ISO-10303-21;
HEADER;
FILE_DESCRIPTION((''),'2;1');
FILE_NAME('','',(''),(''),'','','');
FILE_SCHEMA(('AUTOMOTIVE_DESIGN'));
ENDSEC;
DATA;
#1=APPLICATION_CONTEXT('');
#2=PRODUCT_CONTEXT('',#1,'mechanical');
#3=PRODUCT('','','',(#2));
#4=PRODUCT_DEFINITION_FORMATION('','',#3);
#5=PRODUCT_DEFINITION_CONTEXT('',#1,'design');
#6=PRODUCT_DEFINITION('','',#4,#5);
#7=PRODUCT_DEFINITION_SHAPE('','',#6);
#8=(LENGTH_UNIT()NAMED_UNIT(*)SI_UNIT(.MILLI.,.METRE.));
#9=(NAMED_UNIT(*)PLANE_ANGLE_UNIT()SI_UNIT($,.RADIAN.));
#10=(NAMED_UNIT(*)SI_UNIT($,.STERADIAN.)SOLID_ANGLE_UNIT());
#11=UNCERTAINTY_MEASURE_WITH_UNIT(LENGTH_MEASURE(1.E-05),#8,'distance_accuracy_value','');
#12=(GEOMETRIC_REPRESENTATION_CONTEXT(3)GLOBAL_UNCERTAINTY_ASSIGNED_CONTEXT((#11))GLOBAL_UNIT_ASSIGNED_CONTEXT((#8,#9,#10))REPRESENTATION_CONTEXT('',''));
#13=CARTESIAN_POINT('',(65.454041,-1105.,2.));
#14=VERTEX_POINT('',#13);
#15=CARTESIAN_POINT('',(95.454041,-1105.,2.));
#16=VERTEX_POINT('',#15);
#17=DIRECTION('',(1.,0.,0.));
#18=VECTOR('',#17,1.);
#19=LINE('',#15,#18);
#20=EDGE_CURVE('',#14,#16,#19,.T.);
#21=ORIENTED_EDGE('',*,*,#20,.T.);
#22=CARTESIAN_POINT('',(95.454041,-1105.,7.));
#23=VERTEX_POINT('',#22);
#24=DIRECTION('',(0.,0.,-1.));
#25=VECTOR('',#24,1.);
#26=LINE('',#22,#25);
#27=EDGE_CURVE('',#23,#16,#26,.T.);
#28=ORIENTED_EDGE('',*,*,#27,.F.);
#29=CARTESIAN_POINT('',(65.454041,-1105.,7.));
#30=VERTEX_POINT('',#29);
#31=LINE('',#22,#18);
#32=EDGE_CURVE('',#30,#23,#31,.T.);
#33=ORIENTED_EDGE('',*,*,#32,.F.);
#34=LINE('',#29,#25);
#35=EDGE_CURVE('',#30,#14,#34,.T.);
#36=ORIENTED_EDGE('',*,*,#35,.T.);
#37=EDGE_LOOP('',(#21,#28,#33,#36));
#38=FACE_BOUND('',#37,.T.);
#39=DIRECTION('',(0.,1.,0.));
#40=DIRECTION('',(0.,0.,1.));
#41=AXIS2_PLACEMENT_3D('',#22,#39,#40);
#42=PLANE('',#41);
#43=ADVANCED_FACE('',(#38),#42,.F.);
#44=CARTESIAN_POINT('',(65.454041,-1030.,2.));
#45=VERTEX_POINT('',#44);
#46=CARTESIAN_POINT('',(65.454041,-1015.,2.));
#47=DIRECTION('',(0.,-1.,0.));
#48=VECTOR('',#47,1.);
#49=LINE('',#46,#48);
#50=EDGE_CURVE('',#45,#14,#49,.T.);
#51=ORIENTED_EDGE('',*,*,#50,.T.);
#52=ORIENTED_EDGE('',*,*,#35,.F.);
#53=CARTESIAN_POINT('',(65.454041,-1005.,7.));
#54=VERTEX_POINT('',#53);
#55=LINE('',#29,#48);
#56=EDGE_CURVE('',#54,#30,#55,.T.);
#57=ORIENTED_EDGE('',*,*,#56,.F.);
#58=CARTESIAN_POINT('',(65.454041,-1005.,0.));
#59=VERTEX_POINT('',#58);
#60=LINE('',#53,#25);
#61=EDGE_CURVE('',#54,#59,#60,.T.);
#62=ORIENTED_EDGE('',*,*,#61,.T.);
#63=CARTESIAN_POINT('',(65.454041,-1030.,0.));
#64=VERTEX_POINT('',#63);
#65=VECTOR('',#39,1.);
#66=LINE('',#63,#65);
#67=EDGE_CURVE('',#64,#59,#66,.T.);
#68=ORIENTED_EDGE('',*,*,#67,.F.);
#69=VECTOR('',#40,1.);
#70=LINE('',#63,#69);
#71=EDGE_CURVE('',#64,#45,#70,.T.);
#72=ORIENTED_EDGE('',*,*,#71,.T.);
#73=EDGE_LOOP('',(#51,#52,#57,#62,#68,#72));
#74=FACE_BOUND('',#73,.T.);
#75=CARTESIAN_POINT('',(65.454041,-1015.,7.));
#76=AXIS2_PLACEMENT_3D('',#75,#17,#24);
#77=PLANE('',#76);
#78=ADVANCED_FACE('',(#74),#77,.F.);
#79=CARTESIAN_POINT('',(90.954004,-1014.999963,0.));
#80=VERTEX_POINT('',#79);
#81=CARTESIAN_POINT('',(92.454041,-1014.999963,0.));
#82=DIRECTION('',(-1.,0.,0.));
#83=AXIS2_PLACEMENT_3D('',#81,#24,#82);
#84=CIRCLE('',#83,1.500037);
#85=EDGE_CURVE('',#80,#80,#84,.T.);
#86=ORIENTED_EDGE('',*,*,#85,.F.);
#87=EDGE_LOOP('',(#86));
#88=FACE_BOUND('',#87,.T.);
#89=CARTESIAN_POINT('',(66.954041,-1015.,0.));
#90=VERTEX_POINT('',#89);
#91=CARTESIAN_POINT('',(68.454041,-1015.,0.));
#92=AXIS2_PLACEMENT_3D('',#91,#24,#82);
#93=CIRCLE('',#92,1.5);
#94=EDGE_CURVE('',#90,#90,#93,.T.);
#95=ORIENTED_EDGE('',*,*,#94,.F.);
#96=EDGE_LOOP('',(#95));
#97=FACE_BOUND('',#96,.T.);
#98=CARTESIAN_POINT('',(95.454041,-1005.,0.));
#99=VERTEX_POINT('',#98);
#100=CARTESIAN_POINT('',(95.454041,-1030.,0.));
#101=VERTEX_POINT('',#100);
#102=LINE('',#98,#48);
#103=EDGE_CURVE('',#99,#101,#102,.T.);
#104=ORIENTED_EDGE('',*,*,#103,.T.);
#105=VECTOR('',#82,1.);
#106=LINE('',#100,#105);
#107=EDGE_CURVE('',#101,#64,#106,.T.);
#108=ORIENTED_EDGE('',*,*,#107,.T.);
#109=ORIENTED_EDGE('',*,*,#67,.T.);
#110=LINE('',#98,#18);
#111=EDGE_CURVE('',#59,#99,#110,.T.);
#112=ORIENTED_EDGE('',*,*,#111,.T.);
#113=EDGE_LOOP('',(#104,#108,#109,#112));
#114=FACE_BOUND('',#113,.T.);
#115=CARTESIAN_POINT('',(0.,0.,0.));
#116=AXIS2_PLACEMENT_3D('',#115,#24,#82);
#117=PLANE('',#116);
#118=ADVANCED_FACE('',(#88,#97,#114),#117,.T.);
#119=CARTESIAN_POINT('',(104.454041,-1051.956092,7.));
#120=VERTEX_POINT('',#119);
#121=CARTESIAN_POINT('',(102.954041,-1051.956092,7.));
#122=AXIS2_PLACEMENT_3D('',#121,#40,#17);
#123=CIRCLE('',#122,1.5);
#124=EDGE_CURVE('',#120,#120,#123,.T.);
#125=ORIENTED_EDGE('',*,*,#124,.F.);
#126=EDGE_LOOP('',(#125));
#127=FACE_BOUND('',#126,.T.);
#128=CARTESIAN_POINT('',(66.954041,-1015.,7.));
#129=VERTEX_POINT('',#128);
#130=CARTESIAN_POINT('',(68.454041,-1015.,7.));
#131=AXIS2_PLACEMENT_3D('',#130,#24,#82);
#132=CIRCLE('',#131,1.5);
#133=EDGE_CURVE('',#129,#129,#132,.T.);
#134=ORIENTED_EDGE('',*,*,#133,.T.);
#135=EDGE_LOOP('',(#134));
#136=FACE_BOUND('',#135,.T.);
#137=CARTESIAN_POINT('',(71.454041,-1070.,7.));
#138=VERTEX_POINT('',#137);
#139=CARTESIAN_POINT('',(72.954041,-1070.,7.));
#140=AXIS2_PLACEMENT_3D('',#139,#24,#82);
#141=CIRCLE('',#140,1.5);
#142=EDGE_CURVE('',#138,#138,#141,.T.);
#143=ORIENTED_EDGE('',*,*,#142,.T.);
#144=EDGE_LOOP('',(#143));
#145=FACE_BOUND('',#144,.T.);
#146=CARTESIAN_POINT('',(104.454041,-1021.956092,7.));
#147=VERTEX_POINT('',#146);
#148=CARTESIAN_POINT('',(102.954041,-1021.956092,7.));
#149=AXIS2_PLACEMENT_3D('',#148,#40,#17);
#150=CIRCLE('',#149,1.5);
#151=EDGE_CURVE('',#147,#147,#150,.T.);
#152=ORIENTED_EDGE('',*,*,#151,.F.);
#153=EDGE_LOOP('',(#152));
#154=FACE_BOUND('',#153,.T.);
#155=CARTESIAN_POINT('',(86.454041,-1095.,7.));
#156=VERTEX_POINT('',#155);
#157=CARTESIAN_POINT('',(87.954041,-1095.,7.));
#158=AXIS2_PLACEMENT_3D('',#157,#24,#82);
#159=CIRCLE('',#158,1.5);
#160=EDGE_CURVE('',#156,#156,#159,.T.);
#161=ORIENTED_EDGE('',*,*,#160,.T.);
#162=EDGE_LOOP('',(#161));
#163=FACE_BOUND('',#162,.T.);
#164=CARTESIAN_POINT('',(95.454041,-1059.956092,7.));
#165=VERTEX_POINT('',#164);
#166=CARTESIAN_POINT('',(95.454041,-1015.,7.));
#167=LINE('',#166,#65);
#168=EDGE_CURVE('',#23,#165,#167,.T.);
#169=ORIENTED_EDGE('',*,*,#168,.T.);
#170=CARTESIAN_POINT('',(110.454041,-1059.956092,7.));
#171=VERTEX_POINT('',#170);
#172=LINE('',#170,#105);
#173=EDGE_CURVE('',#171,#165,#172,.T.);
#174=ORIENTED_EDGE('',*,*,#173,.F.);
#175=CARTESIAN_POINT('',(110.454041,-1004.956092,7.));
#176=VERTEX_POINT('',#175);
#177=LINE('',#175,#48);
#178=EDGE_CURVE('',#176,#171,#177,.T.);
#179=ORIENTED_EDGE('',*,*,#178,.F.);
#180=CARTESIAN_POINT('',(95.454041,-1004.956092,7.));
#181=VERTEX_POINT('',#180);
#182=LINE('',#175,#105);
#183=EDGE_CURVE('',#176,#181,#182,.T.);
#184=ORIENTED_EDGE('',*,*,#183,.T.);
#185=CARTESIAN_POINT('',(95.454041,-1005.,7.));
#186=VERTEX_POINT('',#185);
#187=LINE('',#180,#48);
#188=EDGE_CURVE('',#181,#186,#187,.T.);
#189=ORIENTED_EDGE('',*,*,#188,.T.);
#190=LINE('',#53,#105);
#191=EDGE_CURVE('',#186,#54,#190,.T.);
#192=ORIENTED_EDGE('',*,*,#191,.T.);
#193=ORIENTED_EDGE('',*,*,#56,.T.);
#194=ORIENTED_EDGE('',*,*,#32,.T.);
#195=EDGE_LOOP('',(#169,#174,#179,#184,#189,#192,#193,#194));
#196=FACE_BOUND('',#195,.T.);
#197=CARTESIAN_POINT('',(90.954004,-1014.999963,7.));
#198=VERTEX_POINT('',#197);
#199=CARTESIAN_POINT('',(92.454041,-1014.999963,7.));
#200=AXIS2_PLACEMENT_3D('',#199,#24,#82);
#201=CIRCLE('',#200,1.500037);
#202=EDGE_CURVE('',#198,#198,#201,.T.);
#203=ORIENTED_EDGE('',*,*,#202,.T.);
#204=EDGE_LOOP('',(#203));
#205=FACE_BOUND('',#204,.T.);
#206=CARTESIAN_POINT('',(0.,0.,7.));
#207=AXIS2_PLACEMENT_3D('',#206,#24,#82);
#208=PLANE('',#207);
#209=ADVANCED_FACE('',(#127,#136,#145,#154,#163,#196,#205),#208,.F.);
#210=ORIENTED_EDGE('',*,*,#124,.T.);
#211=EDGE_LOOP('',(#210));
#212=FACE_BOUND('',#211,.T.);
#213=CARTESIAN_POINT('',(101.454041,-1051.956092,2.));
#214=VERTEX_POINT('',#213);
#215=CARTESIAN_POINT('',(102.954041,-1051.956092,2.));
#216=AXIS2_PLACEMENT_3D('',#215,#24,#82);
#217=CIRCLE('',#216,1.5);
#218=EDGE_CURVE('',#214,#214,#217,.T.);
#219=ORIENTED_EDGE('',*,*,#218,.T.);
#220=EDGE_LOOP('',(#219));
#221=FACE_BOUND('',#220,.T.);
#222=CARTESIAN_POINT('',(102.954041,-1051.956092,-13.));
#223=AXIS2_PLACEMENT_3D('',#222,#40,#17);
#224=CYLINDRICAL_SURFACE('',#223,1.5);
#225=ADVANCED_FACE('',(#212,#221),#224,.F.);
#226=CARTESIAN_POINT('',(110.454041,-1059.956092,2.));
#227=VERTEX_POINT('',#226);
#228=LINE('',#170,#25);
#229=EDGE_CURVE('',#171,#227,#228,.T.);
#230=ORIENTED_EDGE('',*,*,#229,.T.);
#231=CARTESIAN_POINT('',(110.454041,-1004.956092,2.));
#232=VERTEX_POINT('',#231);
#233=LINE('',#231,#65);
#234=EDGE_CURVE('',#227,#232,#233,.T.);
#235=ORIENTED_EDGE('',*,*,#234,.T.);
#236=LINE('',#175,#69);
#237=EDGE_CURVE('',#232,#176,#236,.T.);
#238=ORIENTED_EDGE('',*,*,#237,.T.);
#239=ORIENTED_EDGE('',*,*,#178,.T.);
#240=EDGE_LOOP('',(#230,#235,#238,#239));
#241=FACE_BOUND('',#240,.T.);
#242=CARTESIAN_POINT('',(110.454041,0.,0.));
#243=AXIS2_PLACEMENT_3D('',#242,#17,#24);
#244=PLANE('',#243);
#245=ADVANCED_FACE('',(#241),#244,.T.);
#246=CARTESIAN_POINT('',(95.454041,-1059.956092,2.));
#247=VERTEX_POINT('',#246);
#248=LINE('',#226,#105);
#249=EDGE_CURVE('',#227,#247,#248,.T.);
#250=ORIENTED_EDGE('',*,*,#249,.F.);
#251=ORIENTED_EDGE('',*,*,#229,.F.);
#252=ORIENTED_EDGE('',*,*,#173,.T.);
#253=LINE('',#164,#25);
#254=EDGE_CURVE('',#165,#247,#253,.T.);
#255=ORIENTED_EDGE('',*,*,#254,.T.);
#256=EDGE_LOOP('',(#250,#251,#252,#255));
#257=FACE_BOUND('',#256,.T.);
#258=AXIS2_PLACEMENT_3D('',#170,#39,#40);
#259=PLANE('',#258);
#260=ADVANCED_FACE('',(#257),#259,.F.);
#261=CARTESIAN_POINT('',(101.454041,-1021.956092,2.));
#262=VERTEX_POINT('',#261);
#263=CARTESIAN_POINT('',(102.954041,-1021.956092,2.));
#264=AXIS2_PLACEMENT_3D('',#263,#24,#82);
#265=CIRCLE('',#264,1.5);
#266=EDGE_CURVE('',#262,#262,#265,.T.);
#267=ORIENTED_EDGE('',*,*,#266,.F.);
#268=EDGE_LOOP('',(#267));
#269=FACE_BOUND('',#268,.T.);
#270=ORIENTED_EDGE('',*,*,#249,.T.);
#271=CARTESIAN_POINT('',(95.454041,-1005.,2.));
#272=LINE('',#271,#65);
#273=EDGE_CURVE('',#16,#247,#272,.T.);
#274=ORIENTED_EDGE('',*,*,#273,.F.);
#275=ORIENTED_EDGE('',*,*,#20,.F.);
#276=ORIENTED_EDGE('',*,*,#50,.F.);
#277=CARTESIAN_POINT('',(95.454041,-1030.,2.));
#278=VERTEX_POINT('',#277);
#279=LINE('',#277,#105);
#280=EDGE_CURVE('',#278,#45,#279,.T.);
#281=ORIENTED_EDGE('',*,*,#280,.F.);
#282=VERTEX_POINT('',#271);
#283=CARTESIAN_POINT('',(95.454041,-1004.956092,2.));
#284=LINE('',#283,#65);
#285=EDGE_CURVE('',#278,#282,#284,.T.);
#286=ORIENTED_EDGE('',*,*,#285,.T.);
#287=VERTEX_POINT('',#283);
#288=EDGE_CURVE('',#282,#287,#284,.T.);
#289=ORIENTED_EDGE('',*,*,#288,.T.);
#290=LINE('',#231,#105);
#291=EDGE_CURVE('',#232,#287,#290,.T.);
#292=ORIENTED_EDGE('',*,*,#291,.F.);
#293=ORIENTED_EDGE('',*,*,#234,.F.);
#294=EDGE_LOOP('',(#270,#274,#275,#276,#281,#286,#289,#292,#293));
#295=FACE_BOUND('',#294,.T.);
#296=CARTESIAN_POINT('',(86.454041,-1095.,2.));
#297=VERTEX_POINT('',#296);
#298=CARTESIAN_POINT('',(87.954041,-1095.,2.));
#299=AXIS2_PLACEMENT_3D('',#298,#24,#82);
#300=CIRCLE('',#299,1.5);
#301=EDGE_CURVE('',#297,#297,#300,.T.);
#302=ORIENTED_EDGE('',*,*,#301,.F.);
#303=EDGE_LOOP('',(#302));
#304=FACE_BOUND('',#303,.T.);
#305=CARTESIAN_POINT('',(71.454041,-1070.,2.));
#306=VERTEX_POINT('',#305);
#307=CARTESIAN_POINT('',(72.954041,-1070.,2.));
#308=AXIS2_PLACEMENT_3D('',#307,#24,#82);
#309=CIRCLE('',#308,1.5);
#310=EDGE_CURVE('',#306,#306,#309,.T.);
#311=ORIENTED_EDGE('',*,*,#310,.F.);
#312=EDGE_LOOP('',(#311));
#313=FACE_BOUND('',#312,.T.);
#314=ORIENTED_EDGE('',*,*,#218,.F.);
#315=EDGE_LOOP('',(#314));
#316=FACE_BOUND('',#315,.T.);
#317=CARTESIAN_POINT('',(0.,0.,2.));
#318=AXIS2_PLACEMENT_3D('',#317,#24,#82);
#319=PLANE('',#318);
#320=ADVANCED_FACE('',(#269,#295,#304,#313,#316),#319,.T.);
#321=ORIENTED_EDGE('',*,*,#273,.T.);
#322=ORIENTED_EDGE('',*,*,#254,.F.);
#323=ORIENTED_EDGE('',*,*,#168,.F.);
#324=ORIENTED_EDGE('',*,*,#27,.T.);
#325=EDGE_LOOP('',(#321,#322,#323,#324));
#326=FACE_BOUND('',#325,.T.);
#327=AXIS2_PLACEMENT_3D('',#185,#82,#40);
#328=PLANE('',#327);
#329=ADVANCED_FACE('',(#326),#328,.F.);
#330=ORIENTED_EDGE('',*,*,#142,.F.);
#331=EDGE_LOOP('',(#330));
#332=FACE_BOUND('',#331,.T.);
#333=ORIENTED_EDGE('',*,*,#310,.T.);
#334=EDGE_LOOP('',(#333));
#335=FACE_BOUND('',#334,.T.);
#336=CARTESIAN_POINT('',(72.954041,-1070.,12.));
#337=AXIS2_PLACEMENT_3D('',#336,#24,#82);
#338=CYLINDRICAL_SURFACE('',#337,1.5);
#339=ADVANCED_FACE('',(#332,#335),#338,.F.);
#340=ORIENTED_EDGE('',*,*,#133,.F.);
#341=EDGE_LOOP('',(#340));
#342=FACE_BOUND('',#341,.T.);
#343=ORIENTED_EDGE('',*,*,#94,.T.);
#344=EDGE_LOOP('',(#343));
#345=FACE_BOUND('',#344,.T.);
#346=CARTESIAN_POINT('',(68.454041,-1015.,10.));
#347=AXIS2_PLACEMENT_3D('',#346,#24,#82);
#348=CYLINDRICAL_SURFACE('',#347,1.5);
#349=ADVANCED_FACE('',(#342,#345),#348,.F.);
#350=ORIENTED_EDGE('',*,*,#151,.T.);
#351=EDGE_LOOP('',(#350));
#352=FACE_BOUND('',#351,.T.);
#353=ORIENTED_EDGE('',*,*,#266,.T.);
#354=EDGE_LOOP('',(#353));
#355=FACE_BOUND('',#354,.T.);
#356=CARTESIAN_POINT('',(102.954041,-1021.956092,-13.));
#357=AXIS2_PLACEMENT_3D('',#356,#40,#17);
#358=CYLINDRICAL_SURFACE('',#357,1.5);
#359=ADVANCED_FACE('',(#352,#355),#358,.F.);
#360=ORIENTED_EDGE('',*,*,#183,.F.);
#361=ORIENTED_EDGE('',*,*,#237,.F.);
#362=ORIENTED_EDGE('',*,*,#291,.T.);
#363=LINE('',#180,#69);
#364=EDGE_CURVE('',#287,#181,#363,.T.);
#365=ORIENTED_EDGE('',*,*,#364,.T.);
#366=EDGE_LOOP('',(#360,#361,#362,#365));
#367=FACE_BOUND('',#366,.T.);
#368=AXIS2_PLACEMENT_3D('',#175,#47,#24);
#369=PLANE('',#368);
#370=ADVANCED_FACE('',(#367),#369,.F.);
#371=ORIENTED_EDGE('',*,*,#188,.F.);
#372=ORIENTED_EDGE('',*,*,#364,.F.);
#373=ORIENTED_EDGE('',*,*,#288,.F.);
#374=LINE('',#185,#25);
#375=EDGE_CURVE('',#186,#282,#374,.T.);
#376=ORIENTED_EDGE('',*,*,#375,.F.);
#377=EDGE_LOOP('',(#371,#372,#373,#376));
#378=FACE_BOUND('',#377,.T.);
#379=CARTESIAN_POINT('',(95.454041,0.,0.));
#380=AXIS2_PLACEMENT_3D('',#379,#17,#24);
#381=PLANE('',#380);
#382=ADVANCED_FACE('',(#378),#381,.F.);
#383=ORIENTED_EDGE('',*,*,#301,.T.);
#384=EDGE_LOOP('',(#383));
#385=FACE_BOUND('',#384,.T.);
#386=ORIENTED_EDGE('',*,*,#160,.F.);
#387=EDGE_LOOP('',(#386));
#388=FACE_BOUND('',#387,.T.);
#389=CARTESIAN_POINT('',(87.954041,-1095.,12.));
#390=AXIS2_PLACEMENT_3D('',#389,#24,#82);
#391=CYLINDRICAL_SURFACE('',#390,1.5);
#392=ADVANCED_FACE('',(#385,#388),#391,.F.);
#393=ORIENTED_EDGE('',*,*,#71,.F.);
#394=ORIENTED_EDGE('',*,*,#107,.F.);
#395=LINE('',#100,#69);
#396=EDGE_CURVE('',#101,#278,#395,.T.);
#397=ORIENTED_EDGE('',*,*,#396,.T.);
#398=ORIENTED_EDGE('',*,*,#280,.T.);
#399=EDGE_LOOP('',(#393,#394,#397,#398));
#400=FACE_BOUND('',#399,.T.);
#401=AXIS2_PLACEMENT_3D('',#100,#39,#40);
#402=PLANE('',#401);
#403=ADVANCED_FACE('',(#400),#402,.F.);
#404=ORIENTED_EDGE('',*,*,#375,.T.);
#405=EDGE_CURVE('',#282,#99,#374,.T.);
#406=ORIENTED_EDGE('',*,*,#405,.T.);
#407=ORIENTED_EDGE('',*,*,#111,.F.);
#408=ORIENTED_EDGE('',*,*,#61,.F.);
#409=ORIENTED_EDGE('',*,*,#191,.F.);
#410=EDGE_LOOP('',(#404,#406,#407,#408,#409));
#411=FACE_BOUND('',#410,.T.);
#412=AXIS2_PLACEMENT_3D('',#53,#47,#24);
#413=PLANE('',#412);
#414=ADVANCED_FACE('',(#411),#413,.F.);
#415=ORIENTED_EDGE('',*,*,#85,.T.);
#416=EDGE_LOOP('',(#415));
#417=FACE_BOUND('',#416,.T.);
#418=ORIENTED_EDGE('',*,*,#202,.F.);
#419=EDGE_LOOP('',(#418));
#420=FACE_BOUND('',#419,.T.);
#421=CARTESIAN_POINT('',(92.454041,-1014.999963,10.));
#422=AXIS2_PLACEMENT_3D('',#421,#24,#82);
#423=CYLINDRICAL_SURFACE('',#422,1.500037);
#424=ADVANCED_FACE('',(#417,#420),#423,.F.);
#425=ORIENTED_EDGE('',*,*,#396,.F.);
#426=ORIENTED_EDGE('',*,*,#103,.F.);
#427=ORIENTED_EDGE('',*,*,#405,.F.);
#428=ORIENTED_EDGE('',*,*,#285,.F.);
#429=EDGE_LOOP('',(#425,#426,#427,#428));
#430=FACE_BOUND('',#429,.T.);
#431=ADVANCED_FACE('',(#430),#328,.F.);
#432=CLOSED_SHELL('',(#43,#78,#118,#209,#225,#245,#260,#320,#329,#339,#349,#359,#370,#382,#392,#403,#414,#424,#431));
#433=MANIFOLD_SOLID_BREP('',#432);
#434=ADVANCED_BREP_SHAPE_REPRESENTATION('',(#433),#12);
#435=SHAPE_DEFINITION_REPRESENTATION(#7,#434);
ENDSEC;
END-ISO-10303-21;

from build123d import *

# Parameters (mm, degrees)
SALIENTE_EXTRUIR1_START = 2
SALIENTE_EXTRUIR1_DEPTH = 5
CROQUIS2_W              = 30
CROQUIS2_H              = 25
SALIENTE_EXTRUIR2_DEPTH = 2
CROQUIS3_R              = 1.5
CORTAR_EXTRUIR1_DEPTH   = 10
CROQUIS4_R              = 1.500036904
CROQUIS4_R_2            = 1.5
CORTAR_EXTRUIR2_DEPTH   = 10
CROQUIS6_W              = 5
CROQUIS6_H              = 55
SALIENTE_EXTRUIR3_DEPTH = 15
CROQUIS7_R              = 1.5
CORTAR_EXTRUIR3_DEPTH   = 20


with BuildPart() as part:
    # Croquis1 → Saliente-Extruir1 (new body)
    with BuildSketch(Plane.XY.offset(SALIENTE_EXTRUIR1_START)):
        Polygon((65.454041039, -1015), (65.454041039, -1005), (95.454041039, -1005), (95.454041039, -1015), (95.454041039, -1105), (65.454041039, -1105), align=None)
    extrude(amount=SALIENTE_EXTRUIR1_DEPTH)

    # Croquis2 → Saliente-Extruir2 (add)
    with BuildSketch(Plane(origin=(0, 0, 2), x_dir=(-1, 0, 0), z_dir=(0, 0, -1))):
        with Locations((-80.454041039, -1017.5)):
            Rectangle(CROQUIS2_W, CROQUIS2_H)
    extrude(amount=SALIENTE_EXTRUIR2_DEPTH)

    # Croquis3 → Cortar-Extruir1 (cut)
    with BuildSketch(Plane(origin=(0, 0, 2), x_dir=(-1, 0, 0), z_dir=(0, 0, -1))):
        with Locations((-72.954041039, -1070)):
            Circle(CROQUIS3_R)
        with Locations((-87.954041039, -1095)):
            Circle(CROQUIS3_R)
    extrude(amount=-CORTAR_EXTRUIR1_DEPTH, mode=Mode.SUBTRACT)

    # Croquis4 → Cortar-Extruir2 (cut)
    with BuildSketch(Plane(origin=(0, 0, 0), x_dir=(-1, 0, 0), z_dir=(0, 0, -1))):
        with Locations((-92.454041038, -1014.999963096)):
            Circle(CROQUIS4_R)
        with Locations((-68.454041039, -1015)):
            Circle(CROQUIS4_R_2)
    extrude(amount=-CORTAR_EXTRUIR2_DEPTH, mode=Mode.SUBTRACT)

    # Croquis6 → Saliente-Extruir3 (add)
    with BuildSketch(Plane(origin=(95.454041039, 0, 0), x_dir=(0, 0, -1), z_dir=(1, 0, 0))):
        with Locations((-4.5, -1032.456092312)):
            Rectangle(CROQUIS6_W, CROQUIS6_H)
    extrude(amount=SALIENTE_EXTRUIR3_DEPTH)

    # Croquis7 → Cortar-Extruir3 (cut)
    with BuildSketch(Plane.XY.offset(7)):
        with Locations((102.954041039, -1051.956092312)):
            Circle(CROQUIS7_R)
        with Locations((102.954041039, -1021.956092312)):
            Circle(CROQUIS7_R)
    extrude(amount=-CORTAR_EXTRUIR3_DEPTH, mode=Mode.SUBTRACT)


solid = part.part
